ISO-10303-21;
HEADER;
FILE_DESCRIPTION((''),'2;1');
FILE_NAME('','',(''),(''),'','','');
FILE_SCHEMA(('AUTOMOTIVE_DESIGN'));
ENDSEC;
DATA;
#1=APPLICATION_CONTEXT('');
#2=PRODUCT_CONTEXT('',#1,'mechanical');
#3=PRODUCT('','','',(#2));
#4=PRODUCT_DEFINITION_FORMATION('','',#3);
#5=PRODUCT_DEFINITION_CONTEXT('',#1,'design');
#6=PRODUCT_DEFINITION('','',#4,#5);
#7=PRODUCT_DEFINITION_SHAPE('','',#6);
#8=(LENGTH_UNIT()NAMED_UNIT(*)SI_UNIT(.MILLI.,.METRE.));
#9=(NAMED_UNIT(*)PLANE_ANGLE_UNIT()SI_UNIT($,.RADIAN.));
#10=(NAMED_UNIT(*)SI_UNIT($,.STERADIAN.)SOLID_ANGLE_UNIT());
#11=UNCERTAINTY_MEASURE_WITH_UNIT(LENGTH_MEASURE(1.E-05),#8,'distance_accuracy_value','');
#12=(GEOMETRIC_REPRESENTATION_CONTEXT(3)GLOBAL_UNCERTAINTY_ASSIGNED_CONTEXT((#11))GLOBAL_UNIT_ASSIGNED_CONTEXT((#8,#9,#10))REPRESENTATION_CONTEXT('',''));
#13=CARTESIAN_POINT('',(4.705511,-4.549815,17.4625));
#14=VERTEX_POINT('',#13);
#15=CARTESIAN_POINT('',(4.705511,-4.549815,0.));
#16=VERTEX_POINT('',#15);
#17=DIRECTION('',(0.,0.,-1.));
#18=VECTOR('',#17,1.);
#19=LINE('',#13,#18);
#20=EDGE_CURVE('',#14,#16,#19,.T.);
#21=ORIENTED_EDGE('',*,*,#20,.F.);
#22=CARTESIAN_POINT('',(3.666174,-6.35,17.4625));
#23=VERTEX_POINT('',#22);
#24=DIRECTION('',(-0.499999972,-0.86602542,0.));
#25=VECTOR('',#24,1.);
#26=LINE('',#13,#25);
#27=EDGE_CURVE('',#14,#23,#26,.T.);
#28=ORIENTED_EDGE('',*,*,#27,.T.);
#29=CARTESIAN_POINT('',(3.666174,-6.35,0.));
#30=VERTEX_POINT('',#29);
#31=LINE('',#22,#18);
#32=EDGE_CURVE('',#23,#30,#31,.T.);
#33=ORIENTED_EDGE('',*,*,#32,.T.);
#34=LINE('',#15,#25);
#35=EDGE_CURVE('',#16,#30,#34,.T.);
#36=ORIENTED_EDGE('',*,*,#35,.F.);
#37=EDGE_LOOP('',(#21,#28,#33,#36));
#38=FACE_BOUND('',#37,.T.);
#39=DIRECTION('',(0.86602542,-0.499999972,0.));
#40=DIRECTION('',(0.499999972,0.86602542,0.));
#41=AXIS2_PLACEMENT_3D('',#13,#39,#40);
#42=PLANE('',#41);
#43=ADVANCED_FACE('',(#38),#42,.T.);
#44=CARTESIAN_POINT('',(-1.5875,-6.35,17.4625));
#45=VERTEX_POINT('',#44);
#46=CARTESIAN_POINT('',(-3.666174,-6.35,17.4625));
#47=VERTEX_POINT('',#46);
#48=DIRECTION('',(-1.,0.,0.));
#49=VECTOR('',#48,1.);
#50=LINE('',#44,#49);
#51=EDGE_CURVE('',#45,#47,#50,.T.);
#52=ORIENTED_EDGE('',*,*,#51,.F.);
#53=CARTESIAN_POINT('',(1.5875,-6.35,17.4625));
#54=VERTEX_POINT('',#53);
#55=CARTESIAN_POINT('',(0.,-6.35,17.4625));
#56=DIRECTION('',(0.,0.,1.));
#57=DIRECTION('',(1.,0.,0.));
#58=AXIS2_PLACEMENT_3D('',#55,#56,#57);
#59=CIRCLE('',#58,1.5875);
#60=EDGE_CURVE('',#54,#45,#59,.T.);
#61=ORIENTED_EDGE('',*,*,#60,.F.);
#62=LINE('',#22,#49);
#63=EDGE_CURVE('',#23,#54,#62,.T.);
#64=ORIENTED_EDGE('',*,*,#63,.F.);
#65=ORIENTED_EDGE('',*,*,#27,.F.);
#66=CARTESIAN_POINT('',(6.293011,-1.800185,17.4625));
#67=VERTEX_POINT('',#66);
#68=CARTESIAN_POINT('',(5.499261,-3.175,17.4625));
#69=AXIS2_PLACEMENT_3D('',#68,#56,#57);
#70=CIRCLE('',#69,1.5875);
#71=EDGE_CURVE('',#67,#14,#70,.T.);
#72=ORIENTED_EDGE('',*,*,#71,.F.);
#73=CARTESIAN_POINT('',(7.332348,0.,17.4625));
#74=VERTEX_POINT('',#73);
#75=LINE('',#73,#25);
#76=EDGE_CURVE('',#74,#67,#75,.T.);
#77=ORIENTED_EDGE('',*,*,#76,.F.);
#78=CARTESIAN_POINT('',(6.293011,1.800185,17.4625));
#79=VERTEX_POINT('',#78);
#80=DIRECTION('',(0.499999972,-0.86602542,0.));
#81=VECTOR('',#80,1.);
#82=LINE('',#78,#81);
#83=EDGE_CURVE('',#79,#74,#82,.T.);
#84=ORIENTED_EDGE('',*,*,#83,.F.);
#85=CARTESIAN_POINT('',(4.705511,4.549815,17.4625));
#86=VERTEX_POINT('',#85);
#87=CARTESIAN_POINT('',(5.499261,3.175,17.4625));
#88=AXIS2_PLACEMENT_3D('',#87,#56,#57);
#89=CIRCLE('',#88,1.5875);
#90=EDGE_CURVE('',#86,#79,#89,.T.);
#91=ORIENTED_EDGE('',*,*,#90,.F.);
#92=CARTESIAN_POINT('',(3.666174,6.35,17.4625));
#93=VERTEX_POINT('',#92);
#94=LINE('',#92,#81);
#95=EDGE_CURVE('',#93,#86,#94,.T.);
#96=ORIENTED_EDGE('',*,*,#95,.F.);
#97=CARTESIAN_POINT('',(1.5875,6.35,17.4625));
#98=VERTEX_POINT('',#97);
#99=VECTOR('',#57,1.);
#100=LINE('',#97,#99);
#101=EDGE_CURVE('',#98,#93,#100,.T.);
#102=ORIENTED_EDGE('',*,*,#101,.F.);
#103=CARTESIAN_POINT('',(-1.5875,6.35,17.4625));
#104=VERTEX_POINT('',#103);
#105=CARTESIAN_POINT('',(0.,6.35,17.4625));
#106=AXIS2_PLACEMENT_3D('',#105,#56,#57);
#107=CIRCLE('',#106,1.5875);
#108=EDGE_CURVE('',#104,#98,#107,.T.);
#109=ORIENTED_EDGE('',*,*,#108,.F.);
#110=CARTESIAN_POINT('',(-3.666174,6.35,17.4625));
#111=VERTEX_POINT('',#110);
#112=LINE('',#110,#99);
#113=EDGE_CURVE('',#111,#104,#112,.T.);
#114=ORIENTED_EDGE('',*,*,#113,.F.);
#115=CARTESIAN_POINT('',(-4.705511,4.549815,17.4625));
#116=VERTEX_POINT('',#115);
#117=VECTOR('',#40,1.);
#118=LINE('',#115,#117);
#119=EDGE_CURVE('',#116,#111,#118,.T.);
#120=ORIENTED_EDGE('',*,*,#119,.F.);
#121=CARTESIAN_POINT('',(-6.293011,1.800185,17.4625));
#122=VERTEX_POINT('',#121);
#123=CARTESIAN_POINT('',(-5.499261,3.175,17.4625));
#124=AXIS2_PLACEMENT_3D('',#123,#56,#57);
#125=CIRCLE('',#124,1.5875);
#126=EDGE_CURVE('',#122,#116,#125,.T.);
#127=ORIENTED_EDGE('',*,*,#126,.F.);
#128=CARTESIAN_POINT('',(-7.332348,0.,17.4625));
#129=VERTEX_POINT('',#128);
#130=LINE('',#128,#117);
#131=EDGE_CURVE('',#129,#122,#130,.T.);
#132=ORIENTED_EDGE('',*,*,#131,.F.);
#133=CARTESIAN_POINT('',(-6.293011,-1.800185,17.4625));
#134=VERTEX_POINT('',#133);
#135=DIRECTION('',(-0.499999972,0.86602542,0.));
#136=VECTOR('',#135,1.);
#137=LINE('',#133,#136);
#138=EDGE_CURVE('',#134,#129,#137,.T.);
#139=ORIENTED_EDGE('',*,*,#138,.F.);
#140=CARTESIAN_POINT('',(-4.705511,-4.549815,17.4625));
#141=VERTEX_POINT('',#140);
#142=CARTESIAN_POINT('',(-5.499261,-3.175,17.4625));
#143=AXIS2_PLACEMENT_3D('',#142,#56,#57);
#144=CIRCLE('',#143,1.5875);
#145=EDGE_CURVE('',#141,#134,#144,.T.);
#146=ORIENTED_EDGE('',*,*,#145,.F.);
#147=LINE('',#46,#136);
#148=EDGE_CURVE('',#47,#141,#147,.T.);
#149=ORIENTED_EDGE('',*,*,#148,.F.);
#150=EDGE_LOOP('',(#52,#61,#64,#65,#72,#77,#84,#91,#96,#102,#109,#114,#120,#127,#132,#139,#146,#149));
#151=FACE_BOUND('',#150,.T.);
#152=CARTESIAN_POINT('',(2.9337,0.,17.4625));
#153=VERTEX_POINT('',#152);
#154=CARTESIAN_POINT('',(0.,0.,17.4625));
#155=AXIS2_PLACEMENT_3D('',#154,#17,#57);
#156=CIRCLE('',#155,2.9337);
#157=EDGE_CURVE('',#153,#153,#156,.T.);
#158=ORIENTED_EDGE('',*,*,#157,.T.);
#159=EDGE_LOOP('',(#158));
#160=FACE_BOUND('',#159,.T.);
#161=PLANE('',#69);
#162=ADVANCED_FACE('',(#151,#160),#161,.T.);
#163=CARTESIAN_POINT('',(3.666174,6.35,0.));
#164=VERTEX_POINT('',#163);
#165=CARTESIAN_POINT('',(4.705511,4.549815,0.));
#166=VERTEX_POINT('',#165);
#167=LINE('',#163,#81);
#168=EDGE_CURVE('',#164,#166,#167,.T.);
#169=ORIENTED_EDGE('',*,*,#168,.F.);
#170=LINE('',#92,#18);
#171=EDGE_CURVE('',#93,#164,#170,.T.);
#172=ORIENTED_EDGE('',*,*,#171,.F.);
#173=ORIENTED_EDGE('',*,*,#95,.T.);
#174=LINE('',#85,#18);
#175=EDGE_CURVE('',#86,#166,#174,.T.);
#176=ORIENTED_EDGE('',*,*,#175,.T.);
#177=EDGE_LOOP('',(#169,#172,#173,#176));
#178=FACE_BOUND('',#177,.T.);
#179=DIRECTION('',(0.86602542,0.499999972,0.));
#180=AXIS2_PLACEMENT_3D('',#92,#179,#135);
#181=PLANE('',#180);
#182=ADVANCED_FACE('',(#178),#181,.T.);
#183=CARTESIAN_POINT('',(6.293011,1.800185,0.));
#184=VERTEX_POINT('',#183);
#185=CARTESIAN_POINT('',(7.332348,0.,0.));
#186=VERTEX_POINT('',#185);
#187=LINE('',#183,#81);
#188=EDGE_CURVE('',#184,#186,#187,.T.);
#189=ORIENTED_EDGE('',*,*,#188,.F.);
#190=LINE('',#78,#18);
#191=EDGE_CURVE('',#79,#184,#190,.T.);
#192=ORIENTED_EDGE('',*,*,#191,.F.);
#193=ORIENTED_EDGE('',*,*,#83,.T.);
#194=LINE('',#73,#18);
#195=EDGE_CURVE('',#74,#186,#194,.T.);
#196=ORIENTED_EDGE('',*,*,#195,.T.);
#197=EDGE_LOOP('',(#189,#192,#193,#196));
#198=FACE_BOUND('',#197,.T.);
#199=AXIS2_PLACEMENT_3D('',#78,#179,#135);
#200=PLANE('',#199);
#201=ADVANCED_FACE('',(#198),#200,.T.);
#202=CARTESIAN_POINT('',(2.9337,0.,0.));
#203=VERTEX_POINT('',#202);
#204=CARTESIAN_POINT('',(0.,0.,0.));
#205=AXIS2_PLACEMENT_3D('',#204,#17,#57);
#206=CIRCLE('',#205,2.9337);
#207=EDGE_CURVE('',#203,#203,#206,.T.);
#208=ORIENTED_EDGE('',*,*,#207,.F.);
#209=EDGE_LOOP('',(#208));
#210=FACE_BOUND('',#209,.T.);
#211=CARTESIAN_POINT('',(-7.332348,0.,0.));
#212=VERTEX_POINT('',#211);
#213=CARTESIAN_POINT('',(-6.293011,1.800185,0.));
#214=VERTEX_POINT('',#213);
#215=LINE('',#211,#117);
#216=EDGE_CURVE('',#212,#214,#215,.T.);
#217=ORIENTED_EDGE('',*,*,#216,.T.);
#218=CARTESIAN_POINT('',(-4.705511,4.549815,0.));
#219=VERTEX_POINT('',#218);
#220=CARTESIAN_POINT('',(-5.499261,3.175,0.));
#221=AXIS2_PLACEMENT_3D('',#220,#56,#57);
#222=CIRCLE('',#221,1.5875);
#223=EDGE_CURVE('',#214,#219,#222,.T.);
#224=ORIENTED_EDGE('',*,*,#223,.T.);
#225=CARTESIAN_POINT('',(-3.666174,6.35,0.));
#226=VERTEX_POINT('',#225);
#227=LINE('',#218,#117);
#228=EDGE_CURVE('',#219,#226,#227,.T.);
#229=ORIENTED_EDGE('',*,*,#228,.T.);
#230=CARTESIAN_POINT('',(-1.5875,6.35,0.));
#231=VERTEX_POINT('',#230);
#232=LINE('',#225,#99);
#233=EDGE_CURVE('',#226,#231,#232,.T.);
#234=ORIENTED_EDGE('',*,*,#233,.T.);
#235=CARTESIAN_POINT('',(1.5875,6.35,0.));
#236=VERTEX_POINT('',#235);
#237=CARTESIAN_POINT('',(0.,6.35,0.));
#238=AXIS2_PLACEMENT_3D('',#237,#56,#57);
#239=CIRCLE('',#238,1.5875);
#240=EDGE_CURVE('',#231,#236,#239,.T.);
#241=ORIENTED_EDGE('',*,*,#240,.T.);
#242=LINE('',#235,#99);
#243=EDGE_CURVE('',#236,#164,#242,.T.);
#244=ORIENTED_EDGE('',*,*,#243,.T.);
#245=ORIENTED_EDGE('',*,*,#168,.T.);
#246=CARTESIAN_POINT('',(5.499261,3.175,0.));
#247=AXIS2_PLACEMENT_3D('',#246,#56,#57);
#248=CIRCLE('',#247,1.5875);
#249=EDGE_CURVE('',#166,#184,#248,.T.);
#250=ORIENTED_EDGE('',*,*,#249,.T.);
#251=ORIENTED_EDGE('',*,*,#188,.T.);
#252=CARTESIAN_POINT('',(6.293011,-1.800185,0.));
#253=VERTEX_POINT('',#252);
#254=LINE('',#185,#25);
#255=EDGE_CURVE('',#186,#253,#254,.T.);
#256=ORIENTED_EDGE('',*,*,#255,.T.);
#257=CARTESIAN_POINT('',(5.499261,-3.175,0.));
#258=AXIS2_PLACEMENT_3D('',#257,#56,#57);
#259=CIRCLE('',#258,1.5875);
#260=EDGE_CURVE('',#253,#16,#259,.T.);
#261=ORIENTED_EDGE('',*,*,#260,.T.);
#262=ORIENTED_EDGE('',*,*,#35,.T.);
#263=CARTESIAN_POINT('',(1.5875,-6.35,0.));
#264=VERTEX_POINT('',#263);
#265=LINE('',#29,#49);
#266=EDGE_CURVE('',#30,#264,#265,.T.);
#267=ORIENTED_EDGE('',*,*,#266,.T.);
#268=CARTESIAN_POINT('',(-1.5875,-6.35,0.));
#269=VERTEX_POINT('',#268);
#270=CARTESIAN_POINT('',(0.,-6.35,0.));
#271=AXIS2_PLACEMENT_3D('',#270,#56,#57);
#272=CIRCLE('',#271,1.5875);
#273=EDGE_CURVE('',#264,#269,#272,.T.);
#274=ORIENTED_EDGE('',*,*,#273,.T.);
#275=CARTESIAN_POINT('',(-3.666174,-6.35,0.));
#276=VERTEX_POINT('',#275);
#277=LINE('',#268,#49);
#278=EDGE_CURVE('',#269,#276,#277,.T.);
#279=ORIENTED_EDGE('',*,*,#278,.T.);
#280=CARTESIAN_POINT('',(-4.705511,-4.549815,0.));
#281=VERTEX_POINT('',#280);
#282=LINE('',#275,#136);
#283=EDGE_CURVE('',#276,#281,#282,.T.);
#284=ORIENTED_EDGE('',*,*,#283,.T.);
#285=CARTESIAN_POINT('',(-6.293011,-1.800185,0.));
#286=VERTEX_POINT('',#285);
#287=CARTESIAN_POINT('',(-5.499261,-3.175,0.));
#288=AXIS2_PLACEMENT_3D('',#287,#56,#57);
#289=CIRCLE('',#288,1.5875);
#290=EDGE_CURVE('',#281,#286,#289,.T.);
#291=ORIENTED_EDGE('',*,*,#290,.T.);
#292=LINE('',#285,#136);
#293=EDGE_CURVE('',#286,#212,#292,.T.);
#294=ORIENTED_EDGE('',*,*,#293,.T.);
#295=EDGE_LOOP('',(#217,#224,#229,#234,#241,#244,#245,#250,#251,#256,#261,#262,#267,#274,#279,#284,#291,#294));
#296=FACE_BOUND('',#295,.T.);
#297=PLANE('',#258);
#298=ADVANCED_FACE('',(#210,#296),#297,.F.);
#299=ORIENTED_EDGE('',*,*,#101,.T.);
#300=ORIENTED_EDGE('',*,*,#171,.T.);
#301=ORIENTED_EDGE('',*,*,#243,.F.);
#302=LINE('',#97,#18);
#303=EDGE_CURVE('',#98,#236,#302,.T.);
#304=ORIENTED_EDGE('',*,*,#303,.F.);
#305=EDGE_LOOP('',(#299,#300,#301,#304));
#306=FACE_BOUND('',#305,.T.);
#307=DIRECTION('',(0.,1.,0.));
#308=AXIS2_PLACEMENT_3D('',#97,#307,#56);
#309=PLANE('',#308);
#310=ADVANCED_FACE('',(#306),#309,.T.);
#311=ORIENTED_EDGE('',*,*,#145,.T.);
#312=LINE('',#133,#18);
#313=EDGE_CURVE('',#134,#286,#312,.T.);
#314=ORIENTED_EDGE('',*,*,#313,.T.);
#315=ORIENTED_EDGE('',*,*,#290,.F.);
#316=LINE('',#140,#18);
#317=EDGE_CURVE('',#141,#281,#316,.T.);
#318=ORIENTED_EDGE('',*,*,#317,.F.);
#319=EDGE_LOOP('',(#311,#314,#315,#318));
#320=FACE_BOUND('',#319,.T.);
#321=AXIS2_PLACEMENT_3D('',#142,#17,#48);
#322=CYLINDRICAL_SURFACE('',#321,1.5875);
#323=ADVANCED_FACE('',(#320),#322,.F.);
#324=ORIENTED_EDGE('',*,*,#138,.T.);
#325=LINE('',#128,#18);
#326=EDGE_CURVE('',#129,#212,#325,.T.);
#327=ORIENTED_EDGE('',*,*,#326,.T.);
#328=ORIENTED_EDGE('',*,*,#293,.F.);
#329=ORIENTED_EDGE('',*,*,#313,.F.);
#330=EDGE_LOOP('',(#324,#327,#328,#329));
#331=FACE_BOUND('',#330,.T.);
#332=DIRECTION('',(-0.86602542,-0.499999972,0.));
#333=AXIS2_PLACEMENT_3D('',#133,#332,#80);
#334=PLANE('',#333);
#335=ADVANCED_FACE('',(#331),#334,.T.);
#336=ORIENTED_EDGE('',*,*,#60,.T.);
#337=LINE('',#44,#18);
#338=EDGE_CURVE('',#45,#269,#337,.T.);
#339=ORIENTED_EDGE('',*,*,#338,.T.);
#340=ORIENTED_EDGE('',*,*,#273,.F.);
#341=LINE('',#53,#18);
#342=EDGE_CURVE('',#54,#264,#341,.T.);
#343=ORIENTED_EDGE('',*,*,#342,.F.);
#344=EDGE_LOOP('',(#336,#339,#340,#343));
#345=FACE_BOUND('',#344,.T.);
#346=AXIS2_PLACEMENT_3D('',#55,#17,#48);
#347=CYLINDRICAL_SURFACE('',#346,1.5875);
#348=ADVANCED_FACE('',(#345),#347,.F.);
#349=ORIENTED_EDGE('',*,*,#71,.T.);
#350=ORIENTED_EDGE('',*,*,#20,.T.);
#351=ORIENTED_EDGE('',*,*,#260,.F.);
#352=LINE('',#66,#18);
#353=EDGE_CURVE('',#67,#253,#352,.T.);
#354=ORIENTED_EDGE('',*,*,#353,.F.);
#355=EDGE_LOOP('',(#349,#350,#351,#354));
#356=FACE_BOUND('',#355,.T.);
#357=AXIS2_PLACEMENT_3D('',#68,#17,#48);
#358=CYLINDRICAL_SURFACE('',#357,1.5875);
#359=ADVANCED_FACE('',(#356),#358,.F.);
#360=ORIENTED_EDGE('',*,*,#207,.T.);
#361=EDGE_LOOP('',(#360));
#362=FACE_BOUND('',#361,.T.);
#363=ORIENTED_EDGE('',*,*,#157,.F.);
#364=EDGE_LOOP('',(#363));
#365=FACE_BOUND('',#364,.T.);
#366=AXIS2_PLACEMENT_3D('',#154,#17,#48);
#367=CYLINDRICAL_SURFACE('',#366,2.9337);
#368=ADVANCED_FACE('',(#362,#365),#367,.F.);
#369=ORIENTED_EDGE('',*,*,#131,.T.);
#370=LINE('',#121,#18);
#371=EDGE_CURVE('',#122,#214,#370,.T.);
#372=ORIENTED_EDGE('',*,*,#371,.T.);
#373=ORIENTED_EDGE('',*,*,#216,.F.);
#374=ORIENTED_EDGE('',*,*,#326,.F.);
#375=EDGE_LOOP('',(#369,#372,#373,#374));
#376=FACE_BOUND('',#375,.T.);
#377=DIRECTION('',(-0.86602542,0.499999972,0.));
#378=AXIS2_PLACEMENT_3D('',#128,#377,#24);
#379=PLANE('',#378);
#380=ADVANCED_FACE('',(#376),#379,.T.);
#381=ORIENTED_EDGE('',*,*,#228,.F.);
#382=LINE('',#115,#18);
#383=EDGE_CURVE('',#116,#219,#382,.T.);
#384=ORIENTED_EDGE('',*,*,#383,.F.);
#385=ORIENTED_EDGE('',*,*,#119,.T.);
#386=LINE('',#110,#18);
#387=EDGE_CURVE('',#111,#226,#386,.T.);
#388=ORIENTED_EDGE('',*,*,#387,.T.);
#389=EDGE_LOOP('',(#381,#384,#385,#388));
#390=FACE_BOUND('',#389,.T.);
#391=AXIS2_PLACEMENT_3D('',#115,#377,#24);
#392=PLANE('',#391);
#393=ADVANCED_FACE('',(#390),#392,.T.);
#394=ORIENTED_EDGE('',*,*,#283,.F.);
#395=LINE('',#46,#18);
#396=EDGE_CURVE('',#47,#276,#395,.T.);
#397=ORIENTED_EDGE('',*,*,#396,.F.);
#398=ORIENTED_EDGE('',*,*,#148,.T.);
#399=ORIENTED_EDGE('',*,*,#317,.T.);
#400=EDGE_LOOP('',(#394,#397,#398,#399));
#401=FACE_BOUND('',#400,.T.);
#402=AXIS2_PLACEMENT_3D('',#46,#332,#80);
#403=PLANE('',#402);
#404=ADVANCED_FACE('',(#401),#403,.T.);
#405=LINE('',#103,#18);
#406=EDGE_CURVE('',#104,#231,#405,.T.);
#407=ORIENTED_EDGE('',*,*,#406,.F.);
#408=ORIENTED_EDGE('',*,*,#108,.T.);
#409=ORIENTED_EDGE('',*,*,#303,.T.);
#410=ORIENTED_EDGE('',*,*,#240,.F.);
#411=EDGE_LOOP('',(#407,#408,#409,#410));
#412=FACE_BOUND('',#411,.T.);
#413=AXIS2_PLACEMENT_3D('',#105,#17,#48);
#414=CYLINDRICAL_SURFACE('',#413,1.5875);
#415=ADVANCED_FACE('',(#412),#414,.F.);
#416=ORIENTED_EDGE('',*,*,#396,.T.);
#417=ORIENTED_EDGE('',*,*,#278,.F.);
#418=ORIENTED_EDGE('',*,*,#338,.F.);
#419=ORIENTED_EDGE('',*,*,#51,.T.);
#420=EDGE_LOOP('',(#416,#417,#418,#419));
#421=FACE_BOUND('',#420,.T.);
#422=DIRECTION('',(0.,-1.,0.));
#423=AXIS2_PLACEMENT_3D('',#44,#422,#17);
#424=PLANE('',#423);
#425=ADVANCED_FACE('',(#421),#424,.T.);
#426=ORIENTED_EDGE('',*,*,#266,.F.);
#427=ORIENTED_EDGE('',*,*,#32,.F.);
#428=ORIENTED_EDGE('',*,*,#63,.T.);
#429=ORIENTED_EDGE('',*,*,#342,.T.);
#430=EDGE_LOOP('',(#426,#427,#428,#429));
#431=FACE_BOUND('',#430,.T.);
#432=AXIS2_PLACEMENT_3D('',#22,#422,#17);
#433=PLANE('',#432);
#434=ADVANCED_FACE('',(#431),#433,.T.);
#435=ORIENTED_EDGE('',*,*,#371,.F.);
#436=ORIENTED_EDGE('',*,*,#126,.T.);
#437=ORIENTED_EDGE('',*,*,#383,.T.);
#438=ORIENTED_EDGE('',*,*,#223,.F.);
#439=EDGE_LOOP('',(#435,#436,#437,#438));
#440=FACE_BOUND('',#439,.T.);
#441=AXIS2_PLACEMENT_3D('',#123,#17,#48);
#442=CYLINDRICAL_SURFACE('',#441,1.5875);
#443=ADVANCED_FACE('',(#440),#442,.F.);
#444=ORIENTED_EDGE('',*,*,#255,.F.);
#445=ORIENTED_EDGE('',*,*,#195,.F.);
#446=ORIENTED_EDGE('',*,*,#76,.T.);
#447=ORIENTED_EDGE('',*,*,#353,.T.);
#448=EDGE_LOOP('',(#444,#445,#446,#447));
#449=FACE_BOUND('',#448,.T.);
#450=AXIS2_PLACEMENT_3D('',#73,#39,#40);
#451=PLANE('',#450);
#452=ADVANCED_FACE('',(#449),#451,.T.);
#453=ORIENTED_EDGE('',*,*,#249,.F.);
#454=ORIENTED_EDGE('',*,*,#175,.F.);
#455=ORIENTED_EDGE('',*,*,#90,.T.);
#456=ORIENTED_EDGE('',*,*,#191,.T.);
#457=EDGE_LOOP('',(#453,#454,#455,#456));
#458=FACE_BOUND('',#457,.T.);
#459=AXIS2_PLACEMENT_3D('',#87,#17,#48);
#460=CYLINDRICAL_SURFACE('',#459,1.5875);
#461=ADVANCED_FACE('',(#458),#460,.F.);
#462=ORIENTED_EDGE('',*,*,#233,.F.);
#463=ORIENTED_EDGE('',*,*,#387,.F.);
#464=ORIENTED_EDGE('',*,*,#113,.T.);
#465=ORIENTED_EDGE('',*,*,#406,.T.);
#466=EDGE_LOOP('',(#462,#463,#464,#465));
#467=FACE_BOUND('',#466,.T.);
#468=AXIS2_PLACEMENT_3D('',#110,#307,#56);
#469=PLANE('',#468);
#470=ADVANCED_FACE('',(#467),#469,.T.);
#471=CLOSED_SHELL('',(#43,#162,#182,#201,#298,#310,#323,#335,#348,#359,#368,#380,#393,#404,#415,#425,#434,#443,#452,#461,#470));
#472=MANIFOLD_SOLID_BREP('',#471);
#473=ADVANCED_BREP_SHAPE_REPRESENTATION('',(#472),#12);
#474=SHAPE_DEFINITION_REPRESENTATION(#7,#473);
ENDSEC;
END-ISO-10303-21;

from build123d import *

# Parameters (mm, degrees)
SKETCH1_R           = 2.9337
BOSS_EXTRUDE1_DEPTH = 17.4625


with BuildPart() as part:
    # Sketch1 → Boss-Extrude1 (new body)
    with BuildSketch(Plane(origin=(0, 0, 0), x_dir=(-1, 0, 0), z_dir=(0, 0, -1))):
        with BuildLine():
            Line((-4.705511279, -4.549815428), (-3.666174225, -6.350000147))
            Line((-3.666174225, -6.350000147), (-1.5875, -6.350000147))
            ThreePointArc((-1.5875, -6.350000147), (0, -4.762500147), (1.5875, -6.350000147))
            Line((1.5875, -6.350000147), (3.666174225, -6.350000147))
            Line((3.666174225, -6.350000147), (4.705511279, -4.549815428))
            ThreePointArc((4.705511279, -4.549815428), (4.124445879, -2.381250118), (6.293011189, -1.800184719))
            Line((6.293011189, -1.800184719), (7.332348243, 0))
            Line((7.332348243, 0), (6.293011189, 1.800184719))
            ThreePointArc((6.293011189, 1.800184719), (4.124445879, 2.381250118), (4.705511279, 4.549815428))
            Line((4.705511279, 4.549815428), (3.666174225, 6.350000147))
            Line((3.666174225, 6.350000147), (1.5875, 6.350000147))
            ThreePointArc((1.5875, 6.350000147), (0, 4.762500147), (-1.5875, 6.350000147))
            Line((-1.5875, 6.350000147), (-3.666174225, 6.350000147))
            Line((-3.666174225, 6.350000147), (-4.705511279, 4.549815428))
            ThreePointArc((-4.705511279, 4.549815428), (-4.124445879, 2.381250118), (-6.293011189, 1.800184719))
            Line((-6.293011189, 1.800184719), (-7.332348243, 0))
            Line((-7.332348243, 0), (-6.293011189, -1.800184719))
            ThreePointArc((-6.293011189, -1.800184719), (-4.124445879, -2.381250118), (-4.705511279, -4.549815428))
        make_face()
        Circle(SKETCH1_R, mode=Mode.SUBTRACT)
    extrude(amount=-BOSS_EXTRUDE1_DEPTH)


solid = part.part
